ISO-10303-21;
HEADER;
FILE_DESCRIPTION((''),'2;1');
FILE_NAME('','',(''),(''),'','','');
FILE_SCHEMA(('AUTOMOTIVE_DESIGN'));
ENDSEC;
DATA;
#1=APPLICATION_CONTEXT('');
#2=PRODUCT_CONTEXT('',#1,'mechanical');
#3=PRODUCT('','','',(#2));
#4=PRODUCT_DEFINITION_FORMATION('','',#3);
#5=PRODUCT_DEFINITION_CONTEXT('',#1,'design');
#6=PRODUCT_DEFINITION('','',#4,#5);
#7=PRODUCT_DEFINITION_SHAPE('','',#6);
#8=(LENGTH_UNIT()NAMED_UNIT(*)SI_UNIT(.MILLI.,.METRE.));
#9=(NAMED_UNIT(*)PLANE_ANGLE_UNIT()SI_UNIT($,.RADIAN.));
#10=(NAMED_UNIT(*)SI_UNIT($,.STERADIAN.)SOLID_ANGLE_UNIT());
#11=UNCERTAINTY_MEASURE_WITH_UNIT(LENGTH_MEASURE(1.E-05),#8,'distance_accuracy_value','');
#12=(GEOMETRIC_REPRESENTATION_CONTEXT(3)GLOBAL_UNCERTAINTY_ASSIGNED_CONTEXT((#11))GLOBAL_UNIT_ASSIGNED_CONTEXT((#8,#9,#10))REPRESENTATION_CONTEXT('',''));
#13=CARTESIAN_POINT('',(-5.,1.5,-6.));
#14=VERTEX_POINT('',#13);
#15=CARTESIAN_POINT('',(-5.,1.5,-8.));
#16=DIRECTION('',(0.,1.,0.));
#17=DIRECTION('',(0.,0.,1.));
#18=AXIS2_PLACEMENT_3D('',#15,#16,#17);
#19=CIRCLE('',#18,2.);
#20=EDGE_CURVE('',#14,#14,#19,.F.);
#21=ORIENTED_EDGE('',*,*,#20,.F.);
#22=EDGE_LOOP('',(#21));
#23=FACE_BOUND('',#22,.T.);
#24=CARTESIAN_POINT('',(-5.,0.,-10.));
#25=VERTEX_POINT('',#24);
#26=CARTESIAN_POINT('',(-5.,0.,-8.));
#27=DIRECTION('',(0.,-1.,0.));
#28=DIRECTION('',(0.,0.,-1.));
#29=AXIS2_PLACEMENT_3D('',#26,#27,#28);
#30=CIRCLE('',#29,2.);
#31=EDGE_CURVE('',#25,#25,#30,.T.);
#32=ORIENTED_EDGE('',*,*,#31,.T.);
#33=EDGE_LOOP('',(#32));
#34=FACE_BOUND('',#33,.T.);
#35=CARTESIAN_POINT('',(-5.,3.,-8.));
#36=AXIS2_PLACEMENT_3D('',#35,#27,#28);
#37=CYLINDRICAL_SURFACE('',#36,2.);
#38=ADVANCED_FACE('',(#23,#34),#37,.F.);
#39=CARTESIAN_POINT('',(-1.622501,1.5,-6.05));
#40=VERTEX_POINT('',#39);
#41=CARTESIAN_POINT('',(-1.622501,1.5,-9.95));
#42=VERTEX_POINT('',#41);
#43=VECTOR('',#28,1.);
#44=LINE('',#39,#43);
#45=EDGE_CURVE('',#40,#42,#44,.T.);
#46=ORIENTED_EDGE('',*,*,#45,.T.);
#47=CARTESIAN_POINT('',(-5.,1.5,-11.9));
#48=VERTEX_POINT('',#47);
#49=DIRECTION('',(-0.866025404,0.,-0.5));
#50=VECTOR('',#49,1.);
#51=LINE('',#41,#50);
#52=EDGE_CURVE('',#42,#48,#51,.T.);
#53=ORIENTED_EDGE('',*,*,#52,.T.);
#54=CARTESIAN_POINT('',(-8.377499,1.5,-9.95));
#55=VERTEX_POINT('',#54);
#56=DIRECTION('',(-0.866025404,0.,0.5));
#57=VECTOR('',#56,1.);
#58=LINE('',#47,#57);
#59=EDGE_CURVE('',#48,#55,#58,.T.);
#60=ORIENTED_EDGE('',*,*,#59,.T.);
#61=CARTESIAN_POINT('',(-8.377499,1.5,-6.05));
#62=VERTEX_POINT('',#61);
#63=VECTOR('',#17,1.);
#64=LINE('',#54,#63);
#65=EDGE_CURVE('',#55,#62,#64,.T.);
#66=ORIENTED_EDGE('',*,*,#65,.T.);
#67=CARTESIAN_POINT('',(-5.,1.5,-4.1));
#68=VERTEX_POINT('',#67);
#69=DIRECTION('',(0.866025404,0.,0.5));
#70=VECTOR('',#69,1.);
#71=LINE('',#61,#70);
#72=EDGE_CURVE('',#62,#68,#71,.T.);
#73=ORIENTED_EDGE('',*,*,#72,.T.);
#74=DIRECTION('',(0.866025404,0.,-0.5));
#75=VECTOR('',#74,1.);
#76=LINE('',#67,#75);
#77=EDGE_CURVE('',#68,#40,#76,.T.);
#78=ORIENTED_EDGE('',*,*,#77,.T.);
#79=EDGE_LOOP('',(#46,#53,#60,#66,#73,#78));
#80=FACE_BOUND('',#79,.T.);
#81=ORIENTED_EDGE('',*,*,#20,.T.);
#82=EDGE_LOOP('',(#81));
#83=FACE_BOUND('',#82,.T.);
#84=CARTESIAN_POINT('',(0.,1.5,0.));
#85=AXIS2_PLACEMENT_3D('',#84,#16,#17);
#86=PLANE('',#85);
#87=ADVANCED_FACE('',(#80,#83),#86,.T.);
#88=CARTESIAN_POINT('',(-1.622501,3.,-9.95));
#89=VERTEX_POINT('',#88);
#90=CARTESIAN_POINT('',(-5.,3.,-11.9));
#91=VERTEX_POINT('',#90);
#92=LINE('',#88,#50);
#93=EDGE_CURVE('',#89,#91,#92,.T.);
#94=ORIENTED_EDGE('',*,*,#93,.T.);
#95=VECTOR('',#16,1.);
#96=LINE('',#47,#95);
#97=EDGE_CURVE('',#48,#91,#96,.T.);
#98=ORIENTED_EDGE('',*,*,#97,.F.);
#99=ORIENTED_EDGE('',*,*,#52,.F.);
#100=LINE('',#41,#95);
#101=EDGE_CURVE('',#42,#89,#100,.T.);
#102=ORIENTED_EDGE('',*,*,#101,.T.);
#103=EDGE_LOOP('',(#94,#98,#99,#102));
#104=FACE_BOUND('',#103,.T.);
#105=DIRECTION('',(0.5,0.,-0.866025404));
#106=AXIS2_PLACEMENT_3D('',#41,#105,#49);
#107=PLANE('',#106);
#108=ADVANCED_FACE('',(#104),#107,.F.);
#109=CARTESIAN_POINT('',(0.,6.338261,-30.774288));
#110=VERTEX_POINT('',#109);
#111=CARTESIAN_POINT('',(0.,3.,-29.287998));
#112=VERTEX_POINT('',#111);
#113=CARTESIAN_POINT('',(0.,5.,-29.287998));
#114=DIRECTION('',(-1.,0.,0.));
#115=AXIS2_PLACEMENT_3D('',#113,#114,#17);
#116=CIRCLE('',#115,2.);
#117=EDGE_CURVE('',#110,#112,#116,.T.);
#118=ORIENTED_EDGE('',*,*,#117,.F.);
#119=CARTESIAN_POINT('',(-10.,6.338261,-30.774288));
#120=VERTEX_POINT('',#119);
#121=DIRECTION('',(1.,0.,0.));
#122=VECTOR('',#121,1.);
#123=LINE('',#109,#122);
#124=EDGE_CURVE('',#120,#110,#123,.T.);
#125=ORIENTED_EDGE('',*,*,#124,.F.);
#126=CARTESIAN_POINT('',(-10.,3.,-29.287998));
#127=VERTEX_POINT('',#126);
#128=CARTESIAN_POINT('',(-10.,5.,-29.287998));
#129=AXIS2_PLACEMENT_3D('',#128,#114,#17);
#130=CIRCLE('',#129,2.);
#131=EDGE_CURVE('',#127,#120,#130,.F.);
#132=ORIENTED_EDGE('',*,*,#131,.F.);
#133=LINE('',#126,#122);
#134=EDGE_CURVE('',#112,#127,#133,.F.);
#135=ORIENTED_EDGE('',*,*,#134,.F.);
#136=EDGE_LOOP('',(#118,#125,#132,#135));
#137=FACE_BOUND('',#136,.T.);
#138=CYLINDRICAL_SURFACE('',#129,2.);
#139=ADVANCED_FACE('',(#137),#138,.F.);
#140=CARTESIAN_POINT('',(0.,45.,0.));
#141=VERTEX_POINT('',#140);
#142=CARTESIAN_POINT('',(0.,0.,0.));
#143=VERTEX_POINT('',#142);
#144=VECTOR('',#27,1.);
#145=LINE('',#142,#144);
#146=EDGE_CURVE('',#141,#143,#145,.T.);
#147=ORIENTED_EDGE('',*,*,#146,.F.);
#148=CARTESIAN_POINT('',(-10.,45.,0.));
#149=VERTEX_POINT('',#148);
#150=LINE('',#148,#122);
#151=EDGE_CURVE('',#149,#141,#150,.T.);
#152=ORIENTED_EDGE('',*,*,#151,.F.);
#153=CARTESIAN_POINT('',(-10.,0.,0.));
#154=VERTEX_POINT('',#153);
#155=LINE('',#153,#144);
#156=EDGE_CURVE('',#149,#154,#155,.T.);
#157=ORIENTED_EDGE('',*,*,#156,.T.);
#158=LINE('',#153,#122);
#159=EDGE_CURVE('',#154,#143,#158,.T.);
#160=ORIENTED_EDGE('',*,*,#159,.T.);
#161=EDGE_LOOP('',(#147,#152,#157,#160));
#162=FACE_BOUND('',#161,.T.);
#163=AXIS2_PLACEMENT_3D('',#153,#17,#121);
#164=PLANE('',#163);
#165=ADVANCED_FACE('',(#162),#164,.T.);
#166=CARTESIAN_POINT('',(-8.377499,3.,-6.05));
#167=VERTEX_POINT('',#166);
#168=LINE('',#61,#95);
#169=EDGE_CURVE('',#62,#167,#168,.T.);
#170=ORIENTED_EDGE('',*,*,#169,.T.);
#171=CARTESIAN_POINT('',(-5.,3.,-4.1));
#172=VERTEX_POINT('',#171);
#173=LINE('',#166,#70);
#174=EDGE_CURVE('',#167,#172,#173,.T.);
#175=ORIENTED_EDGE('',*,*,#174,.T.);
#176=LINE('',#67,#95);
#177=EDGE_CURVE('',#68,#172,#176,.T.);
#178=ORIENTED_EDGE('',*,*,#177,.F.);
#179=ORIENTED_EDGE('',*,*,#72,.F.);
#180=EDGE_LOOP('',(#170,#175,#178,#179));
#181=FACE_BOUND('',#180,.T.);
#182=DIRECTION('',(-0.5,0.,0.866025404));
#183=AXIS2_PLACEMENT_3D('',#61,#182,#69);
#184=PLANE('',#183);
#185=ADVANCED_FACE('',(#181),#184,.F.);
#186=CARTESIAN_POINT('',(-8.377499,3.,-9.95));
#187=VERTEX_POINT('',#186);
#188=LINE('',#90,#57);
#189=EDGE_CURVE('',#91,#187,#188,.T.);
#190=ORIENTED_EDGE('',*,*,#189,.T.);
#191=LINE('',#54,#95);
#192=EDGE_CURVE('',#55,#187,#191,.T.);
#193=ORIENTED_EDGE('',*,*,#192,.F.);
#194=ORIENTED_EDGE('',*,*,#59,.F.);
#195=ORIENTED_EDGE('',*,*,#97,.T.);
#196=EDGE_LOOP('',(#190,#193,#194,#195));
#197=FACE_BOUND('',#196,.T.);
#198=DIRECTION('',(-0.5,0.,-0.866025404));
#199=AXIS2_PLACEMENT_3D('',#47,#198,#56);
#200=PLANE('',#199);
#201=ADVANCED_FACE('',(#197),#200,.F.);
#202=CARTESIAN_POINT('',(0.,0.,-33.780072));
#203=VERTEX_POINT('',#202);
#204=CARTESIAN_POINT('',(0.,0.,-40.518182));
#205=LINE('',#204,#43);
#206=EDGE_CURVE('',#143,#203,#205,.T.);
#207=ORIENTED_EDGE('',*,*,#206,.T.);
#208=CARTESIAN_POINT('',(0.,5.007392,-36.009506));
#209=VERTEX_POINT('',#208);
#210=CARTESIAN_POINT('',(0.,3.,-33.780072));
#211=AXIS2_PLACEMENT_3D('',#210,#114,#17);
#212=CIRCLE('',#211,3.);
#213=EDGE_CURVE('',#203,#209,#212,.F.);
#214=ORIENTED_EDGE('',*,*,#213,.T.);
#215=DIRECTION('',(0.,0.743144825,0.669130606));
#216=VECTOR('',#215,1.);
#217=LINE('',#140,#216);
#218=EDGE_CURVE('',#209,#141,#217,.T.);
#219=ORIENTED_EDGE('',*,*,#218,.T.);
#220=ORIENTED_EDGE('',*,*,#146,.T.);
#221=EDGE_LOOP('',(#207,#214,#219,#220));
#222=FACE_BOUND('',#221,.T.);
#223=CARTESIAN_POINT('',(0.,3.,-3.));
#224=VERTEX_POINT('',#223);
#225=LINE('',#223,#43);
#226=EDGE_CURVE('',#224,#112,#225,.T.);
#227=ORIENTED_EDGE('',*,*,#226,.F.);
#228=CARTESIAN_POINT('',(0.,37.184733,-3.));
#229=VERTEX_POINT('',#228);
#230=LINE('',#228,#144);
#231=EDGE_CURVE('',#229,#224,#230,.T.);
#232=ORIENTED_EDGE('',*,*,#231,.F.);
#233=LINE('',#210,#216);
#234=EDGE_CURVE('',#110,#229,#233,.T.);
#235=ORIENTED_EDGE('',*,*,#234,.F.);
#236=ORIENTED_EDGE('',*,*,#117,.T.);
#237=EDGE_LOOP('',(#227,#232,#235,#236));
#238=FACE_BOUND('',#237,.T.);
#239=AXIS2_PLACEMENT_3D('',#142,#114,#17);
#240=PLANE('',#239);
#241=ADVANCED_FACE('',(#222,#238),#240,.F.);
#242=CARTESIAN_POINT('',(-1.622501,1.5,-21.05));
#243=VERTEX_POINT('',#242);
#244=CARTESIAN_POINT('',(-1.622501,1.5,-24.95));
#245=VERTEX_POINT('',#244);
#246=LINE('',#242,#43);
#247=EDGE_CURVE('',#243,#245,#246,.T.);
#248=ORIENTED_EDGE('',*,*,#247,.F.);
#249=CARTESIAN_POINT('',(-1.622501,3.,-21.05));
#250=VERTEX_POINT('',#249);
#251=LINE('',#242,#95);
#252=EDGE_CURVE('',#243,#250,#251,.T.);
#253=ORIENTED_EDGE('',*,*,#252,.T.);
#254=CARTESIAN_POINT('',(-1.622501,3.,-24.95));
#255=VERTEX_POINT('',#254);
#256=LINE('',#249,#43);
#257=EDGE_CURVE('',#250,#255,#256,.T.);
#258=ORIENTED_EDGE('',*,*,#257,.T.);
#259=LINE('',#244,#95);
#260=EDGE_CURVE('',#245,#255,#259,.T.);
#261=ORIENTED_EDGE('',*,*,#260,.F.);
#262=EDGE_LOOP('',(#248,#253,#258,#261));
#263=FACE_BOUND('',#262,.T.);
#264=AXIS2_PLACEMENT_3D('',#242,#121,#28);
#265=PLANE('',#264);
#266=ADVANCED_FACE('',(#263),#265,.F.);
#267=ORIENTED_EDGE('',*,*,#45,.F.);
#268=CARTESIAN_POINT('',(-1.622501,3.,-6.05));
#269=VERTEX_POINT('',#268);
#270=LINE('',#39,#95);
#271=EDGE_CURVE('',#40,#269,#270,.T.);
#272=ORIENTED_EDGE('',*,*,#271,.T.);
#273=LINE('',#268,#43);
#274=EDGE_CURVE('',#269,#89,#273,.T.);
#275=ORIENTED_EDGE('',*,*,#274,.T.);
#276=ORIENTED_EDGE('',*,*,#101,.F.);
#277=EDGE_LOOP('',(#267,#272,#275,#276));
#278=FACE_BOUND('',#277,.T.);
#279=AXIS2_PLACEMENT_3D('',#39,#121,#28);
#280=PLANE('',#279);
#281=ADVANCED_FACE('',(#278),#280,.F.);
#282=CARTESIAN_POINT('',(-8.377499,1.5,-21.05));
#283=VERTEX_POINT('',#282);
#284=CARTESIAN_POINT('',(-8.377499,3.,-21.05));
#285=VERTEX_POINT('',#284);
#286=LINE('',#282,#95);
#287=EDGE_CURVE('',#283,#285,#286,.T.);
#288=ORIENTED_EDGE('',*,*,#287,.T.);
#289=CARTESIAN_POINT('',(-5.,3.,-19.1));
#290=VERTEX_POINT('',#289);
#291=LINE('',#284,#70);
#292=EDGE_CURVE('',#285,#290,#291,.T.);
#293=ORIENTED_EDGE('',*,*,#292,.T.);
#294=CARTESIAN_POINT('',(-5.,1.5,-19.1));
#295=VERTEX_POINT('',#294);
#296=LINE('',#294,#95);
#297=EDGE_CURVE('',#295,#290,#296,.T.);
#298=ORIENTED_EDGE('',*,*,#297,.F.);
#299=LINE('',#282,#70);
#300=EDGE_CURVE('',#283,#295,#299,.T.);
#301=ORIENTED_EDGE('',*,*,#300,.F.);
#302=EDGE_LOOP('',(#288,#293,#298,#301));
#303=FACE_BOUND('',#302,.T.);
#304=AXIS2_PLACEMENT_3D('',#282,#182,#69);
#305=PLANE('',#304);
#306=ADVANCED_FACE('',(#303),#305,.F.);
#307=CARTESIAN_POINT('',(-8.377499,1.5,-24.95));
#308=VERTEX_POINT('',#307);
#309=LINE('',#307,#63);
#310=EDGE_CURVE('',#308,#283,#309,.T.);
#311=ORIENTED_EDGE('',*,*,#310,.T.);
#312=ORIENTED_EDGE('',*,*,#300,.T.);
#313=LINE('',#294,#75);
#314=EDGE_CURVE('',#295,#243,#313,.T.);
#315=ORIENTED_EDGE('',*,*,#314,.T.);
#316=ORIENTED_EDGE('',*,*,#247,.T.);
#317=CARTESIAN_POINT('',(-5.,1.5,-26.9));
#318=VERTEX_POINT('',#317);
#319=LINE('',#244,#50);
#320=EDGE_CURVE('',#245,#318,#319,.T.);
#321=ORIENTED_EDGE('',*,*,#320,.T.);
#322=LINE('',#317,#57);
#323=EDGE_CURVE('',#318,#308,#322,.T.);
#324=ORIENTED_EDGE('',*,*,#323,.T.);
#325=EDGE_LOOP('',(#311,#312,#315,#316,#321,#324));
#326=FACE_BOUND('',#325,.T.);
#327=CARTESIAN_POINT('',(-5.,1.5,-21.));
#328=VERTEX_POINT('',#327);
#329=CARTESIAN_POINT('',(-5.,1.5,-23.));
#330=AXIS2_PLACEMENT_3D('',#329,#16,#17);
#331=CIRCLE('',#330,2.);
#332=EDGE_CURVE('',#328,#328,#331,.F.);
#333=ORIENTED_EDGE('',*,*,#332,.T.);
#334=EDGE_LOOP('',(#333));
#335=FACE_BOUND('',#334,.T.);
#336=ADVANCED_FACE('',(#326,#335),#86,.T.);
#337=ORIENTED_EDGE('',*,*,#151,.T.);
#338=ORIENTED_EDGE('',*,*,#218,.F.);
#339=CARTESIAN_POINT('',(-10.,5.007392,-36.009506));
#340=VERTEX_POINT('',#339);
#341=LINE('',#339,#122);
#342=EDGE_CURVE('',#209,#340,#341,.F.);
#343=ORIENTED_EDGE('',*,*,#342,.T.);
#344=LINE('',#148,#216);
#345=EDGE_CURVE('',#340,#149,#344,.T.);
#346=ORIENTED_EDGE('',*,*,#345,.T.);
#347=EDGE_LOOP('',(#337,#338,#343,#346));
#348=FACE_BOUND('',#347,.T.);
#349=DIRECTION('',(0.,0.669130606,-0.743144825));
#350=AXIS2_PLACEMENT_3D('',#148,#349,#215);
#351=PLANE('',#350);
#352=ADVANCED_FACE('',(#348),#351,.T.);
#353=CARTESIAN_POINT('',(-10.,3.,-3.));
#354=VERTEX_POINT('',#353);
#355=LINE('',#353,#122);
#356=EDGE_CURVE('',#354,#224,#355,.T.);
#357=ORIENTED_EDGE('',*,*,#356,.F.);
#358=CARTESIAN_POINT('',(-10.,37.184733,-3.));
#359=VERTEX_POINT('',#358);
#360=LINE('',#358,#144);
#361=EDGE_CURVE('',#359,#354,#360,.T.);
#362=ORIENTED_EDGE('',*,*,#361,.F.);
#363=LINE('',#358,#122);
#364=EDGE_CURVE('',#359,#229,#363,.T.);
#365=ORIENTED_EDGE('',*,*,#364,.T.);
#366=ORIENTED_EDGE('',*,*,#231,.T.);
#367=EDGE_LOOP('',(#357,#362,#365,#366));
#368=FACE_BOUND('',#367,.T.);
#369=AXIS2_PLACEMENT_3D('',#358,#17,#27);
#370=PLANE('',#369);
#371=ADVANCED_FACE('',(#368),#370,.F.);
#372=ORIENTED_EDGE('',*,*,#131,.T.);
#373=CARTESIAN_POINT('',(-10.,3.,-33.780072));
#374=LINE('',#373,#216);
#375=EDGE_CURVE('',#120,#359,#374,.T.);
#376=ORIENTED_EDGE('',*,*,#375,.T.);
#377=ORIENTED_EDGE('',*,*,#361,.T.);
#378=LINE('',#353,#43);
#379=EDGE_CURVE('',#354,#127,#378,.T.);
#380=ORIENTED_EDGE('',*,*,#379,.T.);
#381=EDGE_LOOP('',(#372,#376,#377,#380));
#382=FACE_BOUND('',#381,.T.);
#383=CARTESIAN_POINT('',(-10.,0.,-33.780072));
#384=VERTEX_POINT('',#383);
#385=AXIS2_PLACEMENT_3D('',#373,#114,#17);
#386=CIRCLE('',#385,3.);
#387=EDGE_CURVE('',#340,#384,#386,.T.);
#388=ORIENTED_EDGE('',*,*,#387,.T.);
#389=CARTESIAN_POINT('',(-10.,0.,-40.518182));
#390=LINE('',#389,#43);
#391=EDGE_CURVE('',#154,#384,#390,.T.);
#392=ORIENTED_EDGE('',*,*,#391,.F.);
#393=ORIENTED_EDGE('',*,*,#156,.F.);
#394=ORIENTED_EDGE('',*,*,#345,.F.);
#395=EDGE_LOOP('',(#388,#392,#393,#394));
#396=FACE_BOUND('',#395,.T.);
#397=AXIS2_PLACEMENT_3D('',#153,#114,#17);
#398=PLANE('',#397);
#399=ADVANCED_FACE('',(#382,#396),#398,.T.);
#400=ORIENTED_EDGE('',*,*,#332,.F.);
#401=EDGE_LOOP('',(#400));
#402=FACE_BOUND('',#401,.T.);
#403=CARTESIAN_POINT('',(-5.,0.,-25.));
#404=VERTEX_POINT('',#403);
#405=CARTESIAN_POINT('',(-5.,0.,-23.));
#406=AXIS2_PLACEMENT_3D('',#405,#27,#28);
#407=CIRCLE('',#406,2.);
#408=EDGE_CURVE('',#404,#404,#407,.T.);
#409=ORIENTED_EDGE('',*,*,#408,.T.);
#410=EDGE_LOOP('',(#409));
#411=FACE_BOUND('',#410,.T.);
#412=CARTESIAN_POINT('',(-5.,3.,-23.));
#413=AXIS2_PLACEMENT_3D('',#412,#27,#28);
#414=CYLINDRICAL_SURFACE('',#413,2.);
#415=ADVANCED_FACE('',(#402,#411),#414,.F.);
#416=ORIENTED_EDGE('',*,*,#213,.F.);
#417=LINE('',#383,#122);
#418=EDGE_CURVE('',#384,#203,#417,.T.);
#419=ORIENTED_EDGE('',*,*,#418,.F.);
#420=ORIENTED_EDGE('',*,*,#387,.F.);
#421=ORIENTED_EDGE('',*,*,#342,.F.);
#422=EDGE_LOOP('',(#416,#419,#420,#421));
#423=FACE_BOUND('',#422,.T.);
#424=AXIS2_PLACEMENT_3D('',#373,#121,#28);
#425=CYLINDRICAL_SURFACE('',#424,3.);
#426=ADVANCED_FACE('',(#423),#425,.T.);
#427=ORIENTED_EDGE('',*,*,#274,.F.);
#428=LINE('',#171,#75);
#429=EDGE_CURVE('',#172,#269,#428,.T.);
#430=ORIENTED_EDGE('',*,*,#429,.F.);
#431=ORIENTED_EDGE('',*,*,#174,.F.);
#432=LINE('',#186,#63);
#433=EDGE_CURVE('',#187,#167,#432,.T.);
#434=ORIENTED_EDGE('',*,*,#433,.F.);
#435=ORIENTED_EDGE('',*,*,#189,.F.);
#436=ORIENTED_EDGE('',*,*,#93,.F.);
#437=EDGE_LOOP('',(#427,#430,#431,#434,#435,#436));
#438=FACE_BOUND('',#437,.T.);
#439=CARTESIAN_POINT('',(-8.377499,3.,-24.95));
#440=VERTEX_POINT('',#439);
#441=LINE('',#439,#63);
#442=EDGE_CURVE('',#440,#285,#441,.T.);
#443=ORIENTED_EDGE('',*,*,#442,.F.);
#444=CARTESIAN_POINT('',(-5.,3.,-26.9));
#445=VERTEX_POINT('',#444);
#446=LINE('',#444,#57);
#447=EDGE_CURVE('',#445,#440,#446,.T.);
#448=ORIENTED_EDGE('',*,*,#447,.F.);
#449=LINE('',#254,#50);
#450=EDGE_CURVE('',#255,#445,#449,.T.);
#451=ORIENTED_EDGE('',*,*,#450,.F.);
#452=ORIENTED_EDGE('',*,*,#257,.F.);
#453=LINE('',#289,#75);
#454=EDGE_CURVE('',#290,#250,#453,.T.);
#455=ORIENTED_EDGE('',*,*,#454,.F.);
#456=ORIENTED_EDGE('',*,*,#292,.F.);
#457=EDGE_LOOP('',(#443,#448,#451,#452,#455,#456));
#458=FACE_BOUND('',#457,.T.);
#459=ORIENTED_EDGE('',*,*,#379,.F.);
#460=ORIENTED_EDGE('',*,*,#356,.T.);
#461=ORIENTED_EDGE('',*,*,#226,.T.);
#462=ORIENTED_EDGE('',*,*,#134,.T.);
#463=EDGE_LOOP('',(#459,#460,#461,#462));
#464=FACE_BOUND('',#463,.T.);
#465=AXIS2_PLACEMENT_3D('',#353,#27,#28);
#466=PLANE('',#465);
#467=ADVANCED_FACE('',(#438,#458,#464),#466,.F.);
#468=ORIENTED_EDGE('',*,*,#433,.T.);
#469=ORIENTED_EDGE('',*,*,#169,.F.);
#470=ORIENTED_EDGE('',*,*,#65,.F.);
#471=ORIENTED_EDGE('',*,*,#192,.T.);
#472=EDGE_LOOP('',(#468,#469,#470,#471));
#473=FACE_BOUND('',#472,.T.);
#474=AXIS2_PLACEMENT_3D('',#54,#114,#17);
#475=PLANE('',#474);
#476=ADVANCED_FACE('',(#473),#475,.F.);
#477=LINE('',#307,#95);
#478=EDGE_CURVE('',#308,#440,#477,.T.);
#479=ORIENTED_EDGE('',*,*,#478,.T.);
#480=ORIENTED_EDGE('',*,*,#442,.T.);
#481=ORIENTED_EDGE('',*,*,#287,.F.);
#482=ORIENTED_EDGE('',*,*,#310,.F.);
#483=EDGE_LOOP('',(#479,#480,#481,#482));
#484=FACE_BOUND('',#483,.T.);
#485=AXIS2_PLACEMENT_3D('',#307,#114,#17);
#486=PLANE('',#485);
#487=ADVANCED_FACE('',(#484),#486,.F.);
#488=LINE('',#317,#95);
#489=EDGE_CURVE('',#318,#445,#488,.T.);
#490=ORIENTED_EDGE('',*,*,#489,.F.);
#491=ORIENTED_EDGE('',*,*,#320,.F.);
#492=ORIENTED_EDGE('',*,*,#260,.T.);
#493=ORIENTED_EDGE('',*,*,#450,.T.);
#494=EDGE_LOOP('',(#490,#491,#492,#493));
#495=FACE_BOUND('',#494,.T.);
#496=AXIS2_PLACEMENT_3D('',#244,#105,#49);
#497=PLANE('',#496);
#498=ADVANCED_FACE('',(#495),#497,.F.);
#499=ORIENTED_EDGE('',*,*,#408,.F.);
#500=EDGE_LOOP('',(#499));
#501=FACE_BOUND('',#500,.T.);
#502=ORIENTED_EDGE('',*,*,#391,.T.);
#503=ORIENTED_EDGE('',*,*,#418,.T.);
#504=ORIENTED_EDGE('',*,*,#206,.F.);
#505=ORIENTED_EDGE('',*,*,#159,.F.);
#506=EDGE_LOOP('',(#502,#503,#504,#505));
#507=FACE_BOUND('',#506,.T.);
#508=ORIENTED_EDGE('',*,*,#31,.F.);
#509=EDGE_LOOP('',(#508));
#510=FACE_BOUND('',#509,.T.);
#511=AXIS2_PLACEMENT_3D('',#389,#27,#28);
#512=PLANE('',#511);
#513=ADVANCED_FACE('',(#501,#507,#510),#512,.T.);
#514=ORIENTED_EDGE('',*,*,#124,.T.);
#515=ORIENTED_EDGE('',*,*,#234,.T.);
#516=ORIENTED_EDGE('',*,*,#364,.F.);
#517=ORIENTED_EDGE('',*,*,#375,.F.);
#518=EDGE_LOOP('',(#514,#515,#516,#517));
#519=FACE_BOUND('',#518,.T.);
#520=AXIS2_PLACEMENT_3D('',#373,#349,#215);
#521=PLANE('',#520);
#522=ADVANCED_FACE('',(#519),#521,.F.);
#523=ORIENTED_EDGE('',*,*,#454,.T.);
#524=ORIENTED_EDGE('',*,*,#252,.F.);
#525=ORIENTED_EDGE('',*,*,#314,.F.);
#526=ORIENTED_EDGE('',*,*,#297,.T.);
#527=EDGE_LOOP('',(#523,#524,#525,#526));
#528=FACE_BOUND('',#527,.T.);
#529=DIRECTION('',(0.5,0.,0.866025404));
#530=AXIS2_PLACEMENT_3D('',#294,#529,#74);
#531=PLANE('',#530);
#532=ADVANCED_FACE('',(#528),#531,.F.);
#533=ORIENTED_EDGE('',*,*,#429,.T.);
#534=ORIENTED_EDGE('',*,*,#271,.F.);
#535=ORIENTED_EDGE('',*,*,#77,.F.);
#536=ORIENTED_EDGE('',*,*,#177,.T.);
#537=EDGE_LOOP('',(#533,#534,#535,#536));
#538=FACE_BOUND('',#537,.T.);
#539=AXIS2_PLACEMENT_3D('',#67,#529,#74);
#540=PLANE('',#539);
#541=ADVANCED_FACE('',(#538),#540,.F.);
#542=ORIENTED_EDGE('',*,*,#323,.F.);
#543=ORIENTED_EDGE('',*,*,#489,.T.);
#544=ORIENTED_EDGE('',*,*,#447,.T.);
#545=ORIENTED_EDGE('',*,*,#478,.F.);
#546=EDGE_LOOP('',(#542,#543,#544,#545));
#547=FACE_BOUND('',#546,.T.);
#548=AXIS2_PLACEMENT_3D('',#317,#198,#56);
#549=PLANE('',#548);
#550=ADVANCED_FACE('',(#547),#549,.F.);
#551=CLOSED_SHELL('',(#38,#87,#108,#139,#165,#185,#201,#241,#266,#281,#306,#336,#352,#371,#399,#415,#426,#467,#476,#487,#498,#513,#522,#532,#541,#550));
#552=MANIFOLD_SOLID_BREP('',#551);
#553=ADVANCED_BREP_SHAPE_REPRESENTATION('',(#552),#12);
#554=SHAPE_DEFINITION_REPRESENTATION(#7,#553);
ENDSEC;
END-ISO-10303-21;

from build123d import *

# Parameters (mm, degrees)
BOSS_EXTRUDE1_DEPTH = 10
CUT_EXTRUDE1_DEPTH  = 62.373634991
SKETCH3_R           = 2
CUT_EXTRUDE2_DEPTH  = 3
CUT_EXTRUDE3_DEPTH  = 1.5
FILLET1_R           = 3
FILLET2_R           = 2


with BuildPart() as part:
    # Sketch1 → Boss-Extrude1 (new body)
    with BuildSketch(Plane(origin=(0, 0, 0), x_dir=(0, 0, -1), z_dir=(1, 0, 0))):
        Polygon((0, 0), (0, 45), (40.518181993, 0), align=None)
    extrude(amount=-BOSS_EXTRUDE1_DEPTH)

    # Sketch2 → Cut-Extrude1 (cut, through all)
    with BuildSketch(Plane(origin=(0, 0, 0), x_dir=(0, 0, -1), z_dir=(1, 0, 0))):
        Polygon((33.780071672, 3), (3, 37.184732806), (3, 3), align=None)
    extrude(amount=-CUT_EXTRUDE1_DEPTH, mode=Mode.SUBTRACT)

    # Sketch3 → Cut-Extrude2 (cut)
    with BuildSketch(Plane.XZ):
        with Locations(Location((-5, -8, 0), (0, 0, 270))):
            Circle(SKETCH3_R)
        with Locations(Location((-5, -23, 0), (0, 0, 270))):
            Circle(SKETCH3_R)
    extrude(amount=-CUT_EXTRUDE2_DEPTH, mode=Mode.SUBTRACT)

    # Sketch4 → Cut-Extrude3 (cut)
    with BuildSketch(Plane(origin=(0, 3, 0), x_dir=(1, 0, 0), z_dir=(0, 1, 0))):
        Polygon((-5, 19.1), (-1.622500925, 21.05), (-1.622500925, 24.95), (-5, 26.9), (-8.377499075, 24.95), (-8.377499075, 21.05), align=None)
        Polygon((-5, 11.9), (-8.377499075, 9.95), (-8.377499075, 6.05), (-5, 4.1), (-1.622500925, 6.05), (-1.622500925, 9.95), align=None)
    extrude(amount=-CUT_EXTRUDE3_DEPTH, mode=Mode.SUBTRACT)

    # Fillet1
    fillet1_edges = [part.edges().sort_by_distance(p)[0] for p in [
        (-5, 0, -40.518181993),
    ]]
    fillet(fillet1_edges, radius=FILLET1_R)

    # Fillet2
    fillet2_edges = [part.edges().sort_by_distance(p)[0] for p in [
        (-5, 3, -33.780071672),
    ]]
    fillet(fillet2_edges, radius=FILLET2_R)


solid = part.part
